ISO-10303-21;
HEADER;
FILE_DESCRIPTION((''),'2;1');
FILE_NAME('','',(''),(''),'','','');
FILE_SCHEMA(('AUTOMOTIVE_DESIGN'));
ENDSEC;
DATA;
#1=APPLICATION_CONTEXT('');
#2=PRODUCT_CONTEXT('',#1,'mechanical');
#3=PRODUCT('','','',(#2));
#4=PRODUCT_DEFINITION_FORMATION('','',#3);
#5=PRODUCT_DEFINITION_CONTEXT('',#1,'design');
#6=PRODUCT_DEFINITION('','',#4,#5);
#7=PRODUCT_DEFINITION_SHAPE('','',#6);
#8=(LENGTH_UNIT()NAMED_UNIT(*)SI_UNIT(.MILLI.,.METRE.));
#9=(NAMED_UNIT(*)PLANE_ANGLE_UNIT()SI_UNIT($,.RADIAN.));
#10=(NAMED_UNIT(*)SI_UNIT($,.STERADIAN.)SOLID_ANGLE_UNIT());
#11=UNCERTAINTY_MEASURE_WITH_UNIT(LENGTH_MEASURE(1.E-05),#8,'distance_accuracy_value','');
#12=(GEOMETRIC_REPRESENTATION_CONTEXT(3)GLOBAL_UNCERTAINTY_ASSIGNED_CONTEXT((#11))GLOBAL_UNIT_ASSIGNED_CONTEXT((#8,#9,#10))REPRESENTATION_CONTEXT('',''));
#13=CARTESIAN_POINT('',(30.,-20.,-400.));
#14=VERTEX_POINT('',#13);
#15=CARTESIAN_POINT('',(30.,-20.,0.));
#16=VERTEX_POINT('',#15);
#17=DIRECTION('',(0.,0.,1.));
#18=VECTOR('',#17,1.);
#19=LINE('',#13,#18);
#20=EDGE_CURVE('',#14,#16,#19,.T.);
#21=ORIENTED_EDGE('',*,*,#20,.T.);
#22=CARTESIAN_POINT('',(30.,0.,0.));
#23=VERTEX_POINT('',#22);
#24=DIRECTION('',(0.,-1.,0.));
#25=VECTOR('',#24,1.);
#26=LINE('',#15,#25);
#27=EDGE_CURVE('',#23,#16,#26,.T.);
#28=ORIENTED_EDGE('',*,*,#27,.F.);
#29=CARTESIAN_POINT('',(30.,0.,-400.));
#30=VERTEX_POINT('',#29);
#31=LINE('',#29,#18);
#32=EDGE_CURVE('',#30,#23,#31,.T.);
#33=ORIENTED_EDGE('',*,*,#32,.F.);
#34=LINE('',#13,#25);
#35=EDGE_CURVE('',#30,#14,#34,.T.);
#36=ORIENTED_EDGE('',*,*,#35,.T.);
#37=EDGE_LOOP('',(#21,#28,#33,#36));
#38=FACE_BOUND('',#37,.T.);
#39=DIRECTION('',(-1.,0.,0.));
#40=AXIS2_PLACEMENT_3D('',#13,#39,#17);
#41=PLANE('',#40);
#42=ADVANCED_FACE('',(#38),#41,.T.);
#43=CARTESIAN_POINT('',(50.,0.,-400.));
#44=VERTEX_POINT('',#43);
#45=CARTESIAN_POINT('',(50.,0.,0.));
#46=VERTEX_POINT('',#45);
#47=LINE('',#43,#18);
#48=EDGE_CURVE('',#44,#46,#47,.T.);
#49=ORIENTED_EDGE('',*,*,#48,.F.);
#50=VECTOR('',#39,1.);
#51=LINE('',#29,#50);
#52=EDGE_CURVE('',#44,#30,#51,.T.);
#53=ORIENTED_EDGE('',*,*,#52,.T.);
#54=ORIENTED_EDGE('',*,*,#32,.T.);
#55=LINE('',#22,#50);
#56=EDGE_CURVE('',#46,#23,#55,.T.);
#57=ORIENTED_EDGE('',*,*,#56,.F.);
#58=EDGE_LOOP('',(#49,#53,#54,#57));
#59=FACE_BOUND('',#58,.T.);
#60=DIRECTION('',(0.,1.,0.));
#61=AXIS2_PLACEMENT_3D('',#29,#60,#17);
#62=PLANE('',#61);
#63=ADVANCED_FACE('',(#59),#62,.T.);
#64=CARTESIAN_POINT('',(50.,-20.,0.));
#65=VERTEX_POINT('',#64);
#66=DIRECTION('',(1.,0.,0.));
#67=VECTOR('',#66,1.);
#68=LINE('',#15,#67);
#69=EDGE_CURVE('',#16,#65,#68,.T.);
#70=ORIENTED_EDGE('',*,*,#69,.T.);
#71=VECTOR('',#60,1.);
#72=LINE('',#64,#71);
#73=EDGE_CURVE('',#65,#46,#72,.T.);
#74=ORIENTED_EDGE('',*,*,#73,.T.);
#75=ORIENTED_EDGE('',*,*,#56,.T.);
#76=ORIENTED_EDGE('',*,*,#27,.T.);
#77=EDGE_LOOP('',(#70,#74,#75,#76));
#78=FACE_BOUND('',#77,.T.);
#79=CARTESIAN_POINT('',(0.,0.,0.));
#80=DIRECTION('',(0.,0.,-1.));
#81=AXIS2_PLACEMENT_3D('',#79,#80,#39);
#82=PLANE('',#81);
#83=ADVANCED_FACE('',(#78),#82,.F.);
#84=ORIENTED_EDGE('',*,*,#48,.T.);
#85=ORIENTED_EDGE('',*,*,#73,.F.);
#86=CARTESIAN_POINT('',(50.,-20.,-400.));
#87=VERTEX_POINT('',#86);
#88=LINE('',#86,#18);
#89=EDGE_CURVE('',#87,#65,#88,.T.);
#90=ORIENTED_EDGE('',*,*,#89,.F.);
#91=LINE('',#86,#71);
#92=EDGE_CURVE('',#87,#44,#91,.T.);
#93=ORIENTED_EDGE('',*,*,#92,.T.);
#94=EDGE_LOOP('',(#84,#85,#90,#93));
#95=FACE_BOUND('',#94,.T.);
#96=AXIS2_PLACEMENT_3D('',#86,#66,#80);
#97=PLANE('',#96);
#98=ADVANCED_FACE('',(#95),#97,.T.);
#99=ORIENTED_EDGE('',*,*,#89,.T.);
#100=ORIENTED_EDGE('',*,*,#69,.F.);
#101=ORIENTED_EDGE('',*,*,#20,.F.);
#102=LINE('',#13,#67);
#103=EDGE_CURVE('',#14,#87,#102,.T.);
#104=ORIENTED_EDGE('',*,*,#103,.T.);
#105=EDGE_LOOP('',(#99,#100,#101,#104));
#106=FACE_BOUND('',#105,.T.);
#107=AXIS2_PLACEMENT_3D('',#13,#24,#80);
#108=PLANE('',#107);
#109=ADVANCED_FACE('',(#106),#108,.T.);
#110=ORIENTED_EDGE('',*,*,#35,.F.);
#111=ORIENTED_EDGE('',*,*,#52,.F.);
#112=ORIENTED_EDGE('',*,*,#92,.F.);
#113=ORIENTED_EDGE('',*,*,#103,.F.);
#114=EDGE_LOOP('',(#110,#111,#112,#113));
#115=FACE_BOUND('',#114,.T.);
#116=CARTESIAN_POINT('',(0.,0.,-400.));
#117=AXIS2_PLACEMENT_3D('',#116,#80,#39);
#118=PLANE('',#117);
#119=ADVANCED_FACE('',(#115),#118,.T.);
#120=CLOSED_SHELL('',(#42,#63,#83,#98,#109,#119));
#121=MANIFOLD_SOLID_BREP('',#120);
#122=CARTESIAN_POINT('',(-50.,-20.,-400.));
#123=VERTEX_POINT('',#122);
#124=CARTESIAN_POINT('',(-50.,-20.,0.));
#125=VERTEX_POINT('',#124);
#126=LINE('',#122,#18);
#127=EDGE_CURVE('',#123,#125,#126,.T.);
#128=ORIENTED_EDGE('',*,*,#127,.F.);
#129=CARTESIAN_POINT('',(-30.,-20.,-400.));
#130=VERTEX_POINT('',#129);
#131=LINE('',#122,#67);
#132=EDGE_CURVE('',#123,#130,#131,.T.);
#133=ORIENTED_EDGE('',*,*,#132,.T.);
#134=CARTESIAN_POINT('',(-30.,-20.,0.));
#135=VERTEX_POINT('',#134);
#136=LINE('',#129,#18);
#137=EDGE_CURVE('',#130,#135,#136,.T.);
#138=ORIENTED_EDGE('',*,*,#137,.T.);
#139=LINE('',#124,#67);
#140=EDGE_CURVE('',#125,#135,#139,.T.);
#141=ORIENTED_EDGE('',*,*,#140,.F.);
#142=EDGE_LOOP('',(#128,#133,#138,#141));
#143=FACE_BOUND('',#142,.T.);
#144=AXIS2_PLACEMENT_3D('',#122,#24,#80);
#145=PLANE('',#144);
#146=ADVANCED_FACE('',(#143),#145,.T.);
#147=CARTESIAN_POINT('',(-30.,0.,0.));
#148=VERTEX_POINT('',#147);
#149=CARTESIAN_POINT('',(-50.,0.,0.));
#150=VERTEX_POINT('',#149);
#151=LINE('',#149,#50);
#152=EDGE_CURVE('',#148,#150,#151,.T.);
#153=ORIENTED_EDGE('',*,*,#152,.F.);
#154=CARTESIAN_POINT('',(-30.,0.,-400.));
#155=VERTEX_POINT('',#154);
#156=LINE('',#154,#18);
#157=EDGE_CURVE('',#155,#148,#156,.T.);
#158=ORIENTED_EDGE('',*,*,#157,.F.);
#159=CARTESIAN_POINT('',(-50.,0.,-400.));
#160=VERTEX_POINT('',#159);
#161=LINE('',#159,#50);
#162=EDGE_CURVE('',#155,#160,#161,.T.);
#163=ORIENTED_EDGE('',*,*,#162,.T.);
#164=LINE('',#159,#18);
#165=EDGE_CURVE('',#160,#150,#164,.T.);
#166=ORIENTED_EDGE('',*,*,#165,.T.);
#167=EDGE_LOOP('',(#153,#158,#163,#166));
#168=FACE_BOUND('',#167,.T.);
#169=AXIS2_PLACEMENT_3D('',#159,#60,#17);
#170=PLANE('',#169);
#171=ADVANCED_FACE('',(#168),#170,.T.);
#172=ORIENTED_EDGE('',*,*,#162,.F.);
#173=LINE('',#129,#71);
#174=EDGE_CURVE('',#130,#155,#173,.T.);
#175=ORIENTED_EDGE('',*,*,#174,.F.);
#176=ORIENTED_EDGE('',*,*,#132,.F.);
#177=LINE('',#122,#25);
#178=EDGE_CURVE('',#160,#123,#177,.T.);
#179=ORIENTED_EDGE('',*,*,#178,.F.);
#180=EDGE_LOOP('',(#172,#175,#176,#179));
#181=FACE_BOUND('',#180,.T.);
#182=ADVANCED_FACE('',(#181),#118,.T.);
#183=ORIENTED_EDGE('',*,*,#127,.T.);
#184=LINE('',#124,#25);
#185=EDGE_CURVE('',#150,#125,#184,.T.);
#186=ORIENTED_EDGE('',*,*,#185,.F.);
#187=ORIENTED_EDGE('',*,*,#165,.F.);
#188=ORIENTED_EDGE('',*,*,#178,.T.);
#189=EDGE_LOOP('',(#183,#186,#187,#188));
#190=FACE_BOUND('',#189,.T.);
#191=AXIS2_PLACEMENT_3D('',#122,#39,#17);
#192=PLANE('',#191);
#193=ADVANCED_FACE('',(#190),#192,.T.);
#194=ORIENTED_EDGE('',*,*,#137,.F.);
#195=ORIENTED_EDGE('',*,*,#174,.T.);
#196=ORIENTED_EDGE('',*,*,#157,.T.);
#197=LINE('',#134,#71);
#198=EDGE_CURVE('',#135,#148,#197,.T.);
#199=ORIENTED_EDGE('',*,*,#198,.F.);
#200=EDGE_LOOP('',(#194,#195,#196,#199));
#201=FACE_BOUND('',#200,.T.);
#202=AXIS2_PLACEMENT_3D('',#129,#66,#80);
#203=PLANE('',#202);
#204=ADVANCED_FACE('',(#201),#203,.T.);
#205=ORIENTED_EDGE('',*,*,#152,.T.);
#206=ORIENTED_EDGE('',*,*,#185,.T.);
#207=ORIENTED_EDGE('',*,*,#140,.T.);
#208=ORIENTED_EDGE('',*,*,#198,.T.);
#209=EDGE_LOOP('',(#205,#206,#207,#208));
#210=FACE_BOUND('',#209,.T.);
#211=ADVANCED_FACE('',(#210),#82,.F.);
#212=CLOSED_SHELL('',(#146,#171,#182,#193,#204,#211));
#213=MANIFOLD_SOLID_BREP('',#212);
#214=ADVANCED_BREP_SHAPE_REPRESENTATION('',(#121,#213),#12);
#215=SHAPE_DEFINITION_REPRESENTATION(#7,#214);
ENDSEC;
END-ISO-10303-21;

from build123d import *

# Parameters (mm, degrees)
SKETCH_1_W        = 20
SKETCH_1_H        = 20
EXTRUDE_1_DEPTH   = 400
EXTRUDE_1_2_DEPTH = 400


with BuildPart() as part:
    # 草图1 → 凸台-拉伸1 (new body)
    with BuildSketch(Plane.XY):
        with Locations((40, -10)):
            Rectangle(SKETCH_1_W, SKETCH_1_H)
    extrude(amount=-EXTRUDE_1_DEPTH)


with BuildPart() as body_2:
    # 草图1 → Extrude 1 2 (new body)
    with BuildSketch(Plane.XY):
        with Locations((-40, -10)):
            Rectangle(SKETCH_1_W, SKETCH_1_H)
    extrude(amount=-EXTRUDE_1_2_DEPTH)


solid = Compound([part.part, body_2.part])
